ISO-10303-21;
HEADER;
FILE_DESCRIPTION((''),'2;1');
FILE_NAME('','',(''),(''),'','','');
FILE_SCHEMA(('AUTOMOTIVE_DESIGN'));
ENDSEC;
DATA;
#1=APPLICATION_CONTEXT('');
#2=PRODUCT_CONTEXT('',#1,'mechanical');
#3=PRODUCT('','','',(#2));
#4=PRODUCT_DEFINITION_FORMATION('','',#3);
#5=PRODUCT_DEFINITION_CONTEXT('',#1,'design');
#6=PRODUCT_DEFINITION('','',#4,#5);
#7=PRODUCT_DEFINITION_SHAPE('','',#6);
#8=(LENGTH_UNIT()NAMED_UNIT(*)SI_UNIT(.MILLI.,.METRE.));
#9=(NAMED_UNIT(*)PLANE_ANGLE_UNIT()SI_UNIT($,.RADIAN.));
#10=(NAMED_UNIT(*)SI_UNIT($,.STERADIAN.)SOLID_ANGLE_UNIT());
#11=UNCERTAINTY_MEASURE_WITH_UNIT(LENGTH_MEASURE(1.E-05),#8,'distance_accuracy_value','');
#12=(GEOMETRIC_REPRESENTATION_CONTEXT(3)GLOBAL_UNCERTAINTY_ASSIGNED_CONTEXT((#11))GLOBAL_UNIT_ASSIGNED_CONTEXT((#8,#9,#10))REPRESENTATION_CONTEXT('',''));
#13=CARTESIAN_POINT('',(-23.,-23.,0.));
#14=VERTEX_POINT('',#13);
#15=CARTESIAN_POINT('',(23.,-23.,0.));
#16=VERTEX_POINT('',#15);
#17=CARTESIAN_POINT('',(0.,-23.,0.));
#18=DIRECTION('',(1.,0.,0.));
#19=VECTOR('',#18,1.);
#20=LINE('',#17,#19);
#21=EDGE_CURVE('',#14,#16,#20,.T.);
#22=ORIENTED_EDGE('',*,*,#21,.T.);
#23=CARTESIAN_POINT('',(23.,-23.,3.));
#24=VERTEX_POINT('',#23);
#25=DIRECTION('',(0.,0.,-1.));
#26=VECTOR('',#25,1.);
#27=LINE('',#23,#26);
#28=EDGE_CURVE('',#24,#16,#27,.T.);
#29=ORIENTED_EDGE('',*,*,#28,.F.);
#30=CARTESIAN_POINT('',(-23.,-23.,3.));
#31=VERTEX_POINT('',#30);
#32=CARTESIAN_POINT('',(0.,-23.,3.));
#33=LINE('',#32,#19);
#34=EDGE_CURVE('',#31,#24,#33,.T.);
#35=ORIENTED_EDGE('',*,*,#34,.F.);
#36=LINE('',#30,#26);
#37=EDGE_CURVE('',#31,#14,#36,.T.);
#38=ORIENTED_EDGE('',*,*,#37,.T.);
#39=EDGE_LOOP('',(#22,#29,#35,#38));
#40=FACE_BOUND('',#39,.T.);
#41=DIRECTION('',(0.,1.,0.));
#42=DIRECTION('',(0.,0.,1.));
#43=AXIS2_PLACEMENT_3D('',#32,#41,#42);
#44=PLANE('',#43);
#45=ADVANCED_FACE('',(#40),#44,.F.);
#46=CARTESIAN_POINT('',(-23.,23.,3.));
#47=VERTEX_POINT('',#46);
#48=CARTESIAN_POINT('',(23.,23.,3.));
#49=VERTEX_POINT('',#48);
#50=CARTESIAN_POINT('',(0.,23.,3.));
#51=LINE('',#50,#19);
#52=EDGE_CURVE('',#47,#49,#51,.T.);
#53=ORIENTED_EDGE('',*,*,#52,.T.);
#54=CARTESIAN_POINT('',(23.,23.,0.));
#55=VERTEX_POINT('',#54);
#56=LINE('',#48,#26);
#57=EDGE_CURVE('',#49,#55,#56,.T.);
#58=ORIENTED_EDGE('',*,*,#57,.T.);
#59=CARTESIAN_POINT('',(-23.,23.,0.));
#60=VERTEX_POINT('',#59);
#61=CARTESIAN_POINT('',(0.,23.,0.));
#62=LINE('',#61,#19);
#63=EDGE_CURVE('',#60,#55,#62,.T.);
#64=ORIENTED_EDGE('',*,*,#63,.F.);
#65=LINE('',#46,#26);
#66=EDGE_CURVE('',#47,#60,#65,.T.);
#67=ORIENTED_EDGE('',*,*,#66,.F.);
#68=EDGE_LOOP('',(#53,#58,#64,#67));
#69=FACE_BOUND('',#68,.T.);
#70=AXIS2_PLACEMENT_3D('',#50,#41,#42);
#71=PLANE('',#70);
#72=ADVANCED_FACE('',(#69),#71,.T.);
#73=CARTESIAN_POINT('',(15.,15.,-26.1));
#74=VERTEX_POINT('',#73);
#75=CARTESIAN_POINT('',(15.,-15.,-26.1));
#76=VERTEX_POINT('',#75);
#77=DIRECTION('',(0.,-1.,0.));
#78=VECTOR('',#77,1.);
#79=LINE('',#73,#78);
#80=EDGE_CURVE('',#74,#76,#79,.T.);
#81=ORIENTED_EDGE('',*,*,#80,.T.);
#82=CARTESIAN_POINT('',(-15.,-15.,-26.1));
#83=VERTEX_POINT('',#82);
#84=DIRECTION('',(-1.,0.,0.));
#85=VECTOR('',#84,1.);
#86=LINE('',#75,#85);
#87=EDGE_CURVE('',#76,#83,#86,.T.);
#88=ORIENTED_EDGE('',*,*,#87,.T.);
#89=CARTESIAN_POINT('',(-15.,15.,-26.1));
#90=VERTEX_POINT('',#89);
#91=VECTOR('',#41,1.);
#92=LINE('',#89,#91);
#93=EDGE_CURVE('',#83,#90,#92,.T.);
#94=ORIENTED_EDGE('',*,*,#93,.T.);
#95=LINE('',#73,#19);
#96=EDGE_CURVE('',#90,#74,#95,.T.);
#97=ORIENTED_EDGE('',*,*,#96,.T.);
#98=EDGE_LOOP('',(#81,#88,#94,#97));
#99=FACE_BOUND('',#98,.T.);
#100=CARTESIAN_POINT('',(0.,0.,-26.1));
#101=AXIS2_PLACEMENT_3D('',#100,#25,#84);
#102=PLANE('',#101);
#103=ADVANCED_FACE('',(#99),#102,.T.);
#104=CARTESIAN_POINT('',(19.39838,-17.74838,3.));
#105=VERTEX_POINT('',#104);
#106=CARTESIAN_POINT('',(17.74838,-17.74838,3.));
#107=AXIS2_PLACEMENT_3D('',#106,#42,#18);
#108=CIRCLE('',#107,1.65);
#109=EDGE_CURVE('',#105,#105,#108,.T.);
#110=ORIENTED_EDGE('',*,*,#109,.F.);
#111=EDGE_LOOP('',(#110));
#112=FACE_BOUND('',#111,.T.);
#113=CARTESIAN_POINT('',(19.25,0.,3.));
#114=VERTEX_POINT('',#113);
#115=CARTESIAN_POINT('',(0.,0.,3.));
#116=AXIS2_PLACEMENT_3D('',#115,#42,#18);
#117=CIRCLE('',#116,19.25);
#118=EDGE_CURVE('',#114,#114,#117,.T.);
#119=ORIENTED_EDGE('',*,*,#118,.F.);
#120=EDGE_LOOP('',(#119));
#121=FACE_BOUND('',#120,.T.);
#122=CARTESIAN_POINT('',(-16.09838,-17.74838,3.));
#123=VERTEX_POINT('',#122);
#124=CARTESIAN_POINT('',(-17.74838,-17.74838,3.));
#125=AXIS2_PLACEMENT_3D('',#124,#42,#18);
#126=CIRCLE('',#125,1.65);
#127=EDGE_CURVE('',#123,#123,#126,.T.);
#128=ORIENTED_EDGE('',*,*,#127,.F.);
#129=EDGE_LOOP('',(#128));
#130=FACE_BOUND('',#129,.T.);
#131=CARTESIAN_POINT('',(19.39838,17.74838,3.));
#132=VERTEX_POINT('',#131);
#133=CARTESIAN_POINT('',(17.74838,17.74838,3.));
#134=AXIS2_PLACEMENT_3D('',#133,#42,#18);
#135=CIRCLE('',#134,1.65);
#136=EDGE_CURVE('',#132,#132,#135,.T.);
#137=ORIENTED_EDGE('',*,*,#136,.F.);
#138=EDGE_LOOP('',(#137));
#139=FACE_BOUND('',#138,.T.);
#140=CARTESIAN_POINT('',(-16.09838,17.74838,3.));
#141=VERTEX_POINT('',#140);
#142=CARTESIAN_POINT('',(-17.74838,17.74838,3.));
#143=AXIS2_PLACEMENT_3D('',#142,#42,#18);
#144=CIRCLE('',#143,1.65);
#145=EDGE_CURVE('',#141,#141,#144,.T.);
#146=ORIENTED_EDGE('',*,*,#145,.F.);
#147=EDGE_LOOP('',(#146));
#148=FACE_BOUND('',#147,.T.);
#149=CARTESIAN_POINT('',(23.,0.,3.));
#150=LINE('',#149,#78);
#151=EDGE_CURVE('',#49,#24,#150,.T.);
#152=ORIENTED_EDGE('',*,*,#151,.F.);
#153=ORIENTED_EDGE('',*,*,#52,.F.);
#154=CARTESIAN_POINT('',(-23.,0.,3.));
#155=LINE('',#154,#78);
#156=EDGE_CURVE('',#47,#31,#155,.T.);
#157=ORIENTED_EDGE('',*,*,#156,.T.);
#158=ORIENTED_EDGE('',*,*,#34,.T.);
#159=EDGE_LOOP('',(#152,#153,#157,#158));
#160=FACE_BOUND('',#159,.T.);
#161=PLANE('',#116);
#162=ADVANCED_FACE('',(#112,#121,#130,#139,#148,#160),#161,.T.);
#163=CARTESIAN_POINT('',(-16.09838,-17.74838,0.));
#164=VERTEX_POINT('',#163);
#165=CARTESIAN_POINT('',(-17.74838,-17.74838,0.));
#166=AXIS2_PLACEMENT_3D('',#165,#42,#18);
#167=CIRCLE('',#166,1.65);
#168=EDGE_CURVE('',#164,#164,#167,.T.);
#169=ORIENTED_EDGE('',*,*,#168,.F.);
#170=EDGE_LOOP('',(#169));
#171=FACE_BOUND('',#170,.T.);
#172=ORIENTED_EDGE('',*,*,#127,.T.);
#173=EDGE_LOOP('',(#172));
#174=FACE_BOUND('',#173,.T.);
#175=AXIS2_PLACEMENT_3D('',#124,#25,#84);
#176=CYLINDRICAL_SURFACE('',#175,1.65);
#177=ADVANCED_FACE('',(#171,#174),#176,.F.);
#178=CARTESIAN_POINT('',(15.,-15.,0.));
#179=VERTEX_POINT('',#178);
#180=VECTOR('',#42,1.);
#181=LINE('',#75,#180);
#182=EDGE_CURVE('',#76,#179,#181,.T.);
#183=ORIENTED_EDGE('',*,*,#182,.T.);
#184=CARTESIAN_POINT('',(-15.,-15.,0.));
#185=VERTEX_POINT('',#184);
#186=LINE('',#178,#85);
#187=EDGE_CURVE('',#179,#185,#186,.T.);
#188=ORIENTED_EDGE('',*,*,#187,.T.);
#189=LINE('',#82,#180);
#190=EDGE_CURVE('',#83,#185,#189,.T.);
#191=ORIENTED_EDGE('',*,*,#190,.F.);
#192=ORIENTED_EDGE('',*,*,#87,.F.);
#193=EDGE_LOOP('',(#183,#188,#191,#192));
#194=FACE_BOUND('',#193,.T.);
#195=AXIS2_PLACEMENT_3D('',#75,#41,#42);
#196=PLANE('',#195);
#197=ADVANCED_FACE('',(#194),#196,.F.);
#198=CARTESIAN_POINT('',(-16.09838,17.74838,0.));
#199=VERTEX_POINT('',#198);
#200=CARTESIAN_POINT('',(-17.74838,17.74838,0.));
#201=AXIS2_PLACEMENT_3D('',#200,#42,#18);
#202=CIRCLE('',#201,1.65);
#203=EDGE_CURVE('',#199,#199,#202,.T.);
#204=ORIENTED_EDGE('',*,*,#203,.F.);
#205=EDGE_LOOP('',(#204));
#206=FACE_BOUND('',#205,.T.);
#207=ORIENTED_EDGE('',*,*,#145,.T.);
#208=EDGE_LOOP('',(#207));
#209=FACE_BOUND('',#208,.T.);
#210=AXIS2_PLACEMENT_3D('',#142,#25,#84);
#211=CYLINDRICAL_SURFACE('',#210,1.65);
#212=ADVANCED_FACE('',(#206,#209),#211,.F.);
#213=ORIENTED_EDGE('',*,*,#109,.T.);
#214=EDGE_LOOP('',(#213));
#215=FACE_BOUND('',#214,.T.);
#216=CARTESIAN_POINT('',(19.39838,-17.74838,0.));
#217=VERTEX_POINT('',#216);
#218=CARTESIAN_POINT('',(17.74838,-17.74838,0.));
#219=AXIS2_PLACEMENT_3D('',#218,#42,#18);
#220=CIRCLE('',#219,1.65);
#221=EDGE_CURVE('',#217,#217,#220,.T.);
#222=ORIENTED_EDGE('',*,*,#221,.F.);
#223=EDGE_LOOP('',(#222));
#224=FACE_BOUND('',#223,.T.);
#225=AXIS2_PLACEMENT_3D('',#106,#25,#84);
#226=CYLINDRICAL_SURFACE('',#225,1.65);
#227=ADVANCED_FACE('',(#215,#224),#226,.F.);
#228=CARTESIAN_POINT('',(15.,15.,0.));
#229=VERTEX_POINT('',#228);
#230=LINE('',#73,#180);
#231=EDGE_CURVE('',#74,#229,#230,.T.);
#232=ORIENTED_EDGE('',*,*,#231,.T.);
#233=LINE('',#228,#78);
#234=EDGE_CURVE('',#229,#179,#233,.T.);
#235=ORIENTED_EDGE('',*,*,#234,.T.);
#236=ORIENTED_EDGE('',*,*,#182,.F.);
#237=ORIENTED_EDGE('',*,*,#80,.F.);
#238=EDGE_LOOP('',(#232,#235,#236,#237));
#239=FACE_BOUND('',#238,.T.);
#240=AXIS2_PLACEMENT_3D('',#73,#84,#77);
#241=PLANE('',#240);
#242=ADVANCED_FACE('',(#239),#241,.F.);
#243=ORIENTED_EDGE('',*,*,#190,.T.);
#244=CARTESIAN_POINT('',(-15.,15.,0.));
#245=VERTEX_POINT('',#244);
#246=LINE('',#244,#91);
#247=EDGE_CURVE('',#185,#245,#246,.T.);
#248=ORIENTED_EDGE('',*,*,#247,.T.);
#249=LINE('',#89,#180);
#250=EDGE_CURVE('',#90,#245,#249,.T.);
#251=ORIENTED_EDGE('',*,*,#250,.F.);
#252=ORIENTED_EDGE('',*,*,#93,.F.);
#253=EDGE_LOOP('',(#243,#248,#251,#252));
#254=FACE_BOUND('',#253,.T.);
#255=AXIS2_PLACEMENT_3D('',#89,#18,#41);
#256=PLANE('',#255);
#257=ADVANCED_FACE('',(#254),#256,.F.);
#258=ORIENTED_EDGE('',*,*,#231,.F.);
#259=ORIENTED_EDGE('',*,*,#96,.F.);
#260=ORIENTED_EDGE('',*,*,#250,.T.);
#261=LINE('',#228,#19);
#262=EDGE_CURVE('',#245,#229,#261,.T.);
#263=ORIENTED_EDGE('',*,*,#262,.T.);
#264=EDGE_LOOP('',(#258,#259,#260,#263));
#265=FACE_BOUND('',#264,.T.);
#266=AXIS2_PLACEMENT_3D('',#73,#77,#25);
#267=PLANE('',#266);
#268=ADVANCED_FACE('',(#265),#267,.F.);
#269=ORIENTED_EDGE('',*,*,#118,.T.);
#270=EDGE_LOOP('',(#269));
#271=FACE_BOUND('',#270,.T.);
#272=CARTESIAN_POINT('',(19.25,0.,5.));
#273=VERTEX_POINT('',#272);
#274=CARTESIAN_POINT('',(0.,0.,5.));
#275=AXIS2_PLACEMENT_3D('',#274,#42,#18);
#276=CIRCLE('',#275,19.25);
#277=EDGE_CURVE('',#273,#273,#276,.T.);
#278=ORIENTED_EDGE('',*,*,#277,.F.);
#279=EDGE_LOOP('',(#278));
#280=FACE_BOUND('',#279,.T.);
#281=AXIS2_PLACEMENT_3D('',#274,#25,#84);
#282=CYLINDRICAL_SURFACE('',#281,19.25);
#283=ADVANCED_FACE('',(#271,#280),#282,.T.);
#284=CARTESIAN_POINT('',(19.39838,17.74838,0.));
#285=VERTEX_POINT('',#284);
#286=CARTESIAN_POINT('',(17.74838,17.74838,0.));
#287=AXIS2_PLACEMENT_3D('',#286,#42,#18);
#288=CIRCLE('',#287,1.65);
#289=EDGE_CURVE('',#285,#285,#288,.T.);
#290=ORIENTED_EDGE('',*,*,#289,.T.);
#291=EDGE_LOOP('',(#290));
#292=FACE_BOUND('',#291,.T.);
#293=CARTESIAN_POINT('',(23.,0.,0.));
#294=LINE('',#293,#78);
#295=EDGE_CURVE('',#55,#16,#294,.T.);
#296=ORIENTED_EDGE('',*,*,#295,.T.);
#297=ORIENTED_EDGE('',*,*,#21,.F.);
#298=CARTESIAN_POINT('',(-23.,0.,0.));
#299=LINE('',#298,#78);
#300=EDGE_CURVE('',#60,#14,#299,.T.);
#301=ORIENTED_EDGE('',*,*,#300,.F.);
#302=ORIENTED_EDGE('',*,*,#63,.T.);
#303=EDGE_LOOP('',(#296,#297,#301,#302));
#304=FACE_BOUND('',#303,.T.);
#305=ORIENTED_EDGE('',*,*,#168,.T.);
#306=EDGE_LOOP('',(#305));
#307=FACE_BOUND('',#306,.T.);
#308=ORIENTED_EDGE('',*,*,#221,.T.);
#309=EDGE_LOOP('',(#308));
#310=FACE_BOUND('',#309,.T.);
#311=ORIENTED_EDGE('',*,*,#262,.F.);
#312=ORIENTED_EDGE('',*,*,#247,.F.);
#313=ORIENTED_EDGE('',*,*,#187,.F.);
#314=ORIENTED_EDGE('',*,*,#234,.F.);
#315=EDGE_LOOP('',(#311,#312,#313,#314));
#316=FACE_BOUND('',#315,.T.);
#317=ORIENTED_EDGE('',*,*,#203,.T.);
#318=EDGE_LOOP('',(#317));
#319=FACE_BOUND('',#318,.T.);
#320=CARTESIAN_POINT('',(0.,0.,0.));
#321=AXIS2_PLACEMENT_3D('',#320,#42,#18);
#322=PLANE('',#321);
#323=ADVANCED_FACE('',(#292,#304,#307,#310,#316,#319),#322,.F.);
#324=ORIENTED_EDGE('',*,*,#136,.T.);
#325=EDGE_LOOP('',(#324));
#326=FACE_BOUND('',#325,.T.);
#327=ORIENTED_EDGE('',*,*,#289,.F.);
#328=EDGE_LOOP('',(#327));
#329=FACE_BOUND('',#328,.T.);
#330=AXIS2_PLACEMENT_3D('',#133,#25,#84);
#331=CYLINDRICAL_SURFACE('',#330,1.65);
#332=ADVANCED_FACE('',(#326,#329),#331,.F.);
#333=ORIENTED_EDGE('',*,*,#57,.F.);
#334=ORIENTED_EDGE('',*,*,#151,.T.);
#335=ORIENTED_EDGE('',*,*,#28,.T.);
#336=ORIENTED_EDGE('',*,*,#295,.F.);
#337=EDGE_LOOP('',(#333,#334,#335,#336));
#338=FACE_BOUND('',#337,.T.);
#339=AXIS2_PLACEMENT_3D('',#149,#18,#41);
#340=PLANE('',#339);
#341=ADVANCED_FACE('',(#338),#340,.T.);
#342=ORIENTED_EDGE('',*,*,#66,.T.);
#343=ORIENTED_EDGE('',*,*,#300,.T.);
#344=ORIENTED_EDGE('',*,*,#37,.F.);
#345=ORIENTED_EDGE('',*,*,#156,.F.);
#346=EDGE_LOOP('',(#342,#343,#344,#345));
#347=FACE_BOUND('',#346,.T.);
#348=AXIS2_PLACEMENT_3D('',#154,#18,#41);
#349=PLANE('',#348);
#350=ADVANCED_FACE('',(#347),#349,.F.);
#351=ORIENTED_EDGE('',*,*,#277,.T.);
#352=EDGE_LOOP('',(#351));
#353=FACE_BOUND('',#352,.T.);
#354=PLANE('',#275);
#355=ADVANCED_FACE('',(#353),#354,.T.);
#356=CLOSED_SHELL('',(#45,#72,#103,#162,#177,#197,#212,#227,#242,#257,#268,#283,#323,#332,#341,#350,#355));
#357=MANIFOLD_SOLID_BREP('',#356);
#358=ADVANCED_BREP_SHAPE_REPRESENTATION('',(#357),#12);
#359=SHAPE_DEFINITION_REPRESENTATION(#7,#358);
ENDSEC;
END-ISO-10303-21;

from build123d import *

# Parameters (mm, degrees)
SKETCH1_R           = 20
BOSS_EXTRUDE1_DEPTH = 3
SKETCH2_R           = 19.25
BOSS_EXTRUDE2_DEPTH = 2
SKETCH3_W           = 30
SKETCH3_H           = 30
BOSS_EXTRUDE3_DEPTH = 26.1


with BuildPart() as part:
    # Sketch1 → Boss-Extrude1 (new body)
    # profile 1 of 6: a face of its own
    with BuildSketch(Plane.XY):
        with BuildLine():
            Line((10.050373127, 23), (-10.050373127, 23))
            ThreePointArc((-10.050373127, 23), (-13.456072932, 21.188301047), (-16.54393585, 18.876127426))
            ThreePointArc((-16.54393585, 18.876127426), (-16.213806457, 18.354666777), (-16.098380208, 17.748380208))
            ThreePointArc((-16.098380208, 17.748380208), (-17.091982047, 16.234563358), (-18.876127426, 16.54393585))
            ThreePointArc((-18.876127426, 16.54393585), (-21.188301047, 13.456072932), (-23, 10.050373127))
            Line((-23, 10.050373127), (-23, -10.050373127))
            ThreePointArc((-23, -10.050373127), (-21.188301047, -13.456072932), (-18.876127426, -16.54393585))
            ThreePointArc((-18.876127426, -16.54393585), (-17.091982047, -16.234563358), (-16.098380208, -17.748380208))
            ThreePointArc((-16.098380208, -17.748380208), (-16.213806457, -18.354666777), (-16.54393585, -18.876127426))
            ThreePointArc((-16.54393585, -18.876127426), (-13.456072932, -21.188301047), (-10.050373127, -23))
            Line((-10.050373127, -23), (10.050373127, -23))
            ThreePointArc((10.050373127, -23), (13.456072932, -21.188301047), (16.54393585, -18.876127426))
            ThreePointArc((16.54393585, -18.876127426), (16.581654019, -16.581654019), (18.876127426, -16.54393585))
            ThreePointArc((18.876127426, -16.54393585), (21.188301047, -13.456072932), (23, -10.050373127))
            Line((23, -10.050373127), (23, 10.050373127))
            ThreePointArc((23, 10.050373127), (21.188301047, 13.456072932), (18.876127426, 16.54393585))
            ThreePointArc((18.876127426, 16.54393585), (16.581654019, 16.581654019), (16.54393585, 18.876127426))
            ThreePointArc((16.54393585, 18.876127426), (13.456072932, 21.188301047), (10.050373127, 23))
        make_face()
        Circle(SKETCH1_R, mode=Mode.SUBTRACT)
    # profile 2 of 6: a face of its own
    with BuildSketch(Plane.XY):
        Circle(SKETCH1_R)
    # profile 3 of 6: a face of its own
    with BuildSketch(Plane.XY):
        with BuildLine():
            Line((23, 23), (10.050373127, 23))
            ThreePointArc((10.050373127, 23), (13.456072932, 21.188301047), (16.54393585, 18.876127426))
            ThreePointArc((16.54393585, 18.876127426), (18.354666777, 19.282953958), (19.398380208, 17.748380208))
            ThreePointArc((19.398380208, 17.748380208), (19.262197058, 17.091982047), (18.876127426, 16.54393585))
            ThreePointArc((18.876127426, 16.54393585), (21.188301047, 13.456072932), (23, 10.050373127))
            Line((23, 10.050373127), (23, 23))
        make_face()
    # profile 4 of 6: a face of its own
    with BuildSketch(Plane.XY):
        with BuildLine():
            Line((-10.050373127, 23), (-23, 23))
            Line((-23, 23), (-23, 10.050373127))
            ThreePointArc((-23, 10.050373127), (-21.188301047, 13.456072932), (-18.876127426, 16.54393585))
            ThreePointArc((-18.876127426, 16.54393585), (-18.915106397, 18.915106397), (-16.54393585, 18.876127426))
            ThreePointArc((-16.54393585, 18.876127426), (-13.456072932, 21.188301047), (-10.050373127, 23))
        make_face()
    # profile 5 of 6: a face of its own
    with BuildSketch(Plane.XY):
        with BuildLine():
            Line((23, -23), (23, -10.050373127))
            ThreePointArc((23, -10.050373127), (21.188301047, -13.456072932), (18.876127426, -16.54393585))
            ThreePointArc((18.876127426, -16.54393585), (19.262197058, -17.091982047), (19.398380208, -17.748380208))
            ThreePointArc((19.398380208, -17.748380208), (18.354666777, -19.282953958), (16.54393585, -18.876127426))
            ThreePointArc((16.54393585, -18.876127426), (13.456072932, -21.188301047), (10.050373127, -23))
            Line((10.050373127, -23), (23, -23))
        make_face()
    # profile 6 of 6: a face of its own
    with BuildSketch(Plane.XY):
        with BuildLine():
            ThreePointArc((-18.876127426, -16.54393585), (-21.188301047, -13.456072932), (-23, -10.050373127))
            Line((-23, -10.050373127), (-23, -23))
            Line((-23, -23), (-10.050373127, -23))
            ThreePointArc((-10.050373127, -23), (-13.456072932, -21.188301047), (-16.54393585, -18.876127426))
            ThreePointArc((-16.54393585, -18.876127426), (-18.915106397, -18.915106397), (-18.876127426, -16.54393585))
        make_face()
    extrude(amount=BOSS_EXTRUDE1_DEPTH)

    # Sketch2 → Boss-Extrude2 (add)
    with BuildSketch(Plane.XY.offset(3)):
        Circle(SKETCH2_R)
    extrude(amount=BOSS_EXTRUDE2_DEPTH)

    # Sketch3 → Boss-Extrude3 (add)
    with BuildSketch(Plane(origin=(0, 0, 0), x_dir=(-1, 0, 0), z_dir=(0, 0, -1))):
        Rectangle(SKETCH3_W, SKETCH3_H)
    extrude(amount=BOSS_EXTRUDE3_DEPTH)


solid = part.part
